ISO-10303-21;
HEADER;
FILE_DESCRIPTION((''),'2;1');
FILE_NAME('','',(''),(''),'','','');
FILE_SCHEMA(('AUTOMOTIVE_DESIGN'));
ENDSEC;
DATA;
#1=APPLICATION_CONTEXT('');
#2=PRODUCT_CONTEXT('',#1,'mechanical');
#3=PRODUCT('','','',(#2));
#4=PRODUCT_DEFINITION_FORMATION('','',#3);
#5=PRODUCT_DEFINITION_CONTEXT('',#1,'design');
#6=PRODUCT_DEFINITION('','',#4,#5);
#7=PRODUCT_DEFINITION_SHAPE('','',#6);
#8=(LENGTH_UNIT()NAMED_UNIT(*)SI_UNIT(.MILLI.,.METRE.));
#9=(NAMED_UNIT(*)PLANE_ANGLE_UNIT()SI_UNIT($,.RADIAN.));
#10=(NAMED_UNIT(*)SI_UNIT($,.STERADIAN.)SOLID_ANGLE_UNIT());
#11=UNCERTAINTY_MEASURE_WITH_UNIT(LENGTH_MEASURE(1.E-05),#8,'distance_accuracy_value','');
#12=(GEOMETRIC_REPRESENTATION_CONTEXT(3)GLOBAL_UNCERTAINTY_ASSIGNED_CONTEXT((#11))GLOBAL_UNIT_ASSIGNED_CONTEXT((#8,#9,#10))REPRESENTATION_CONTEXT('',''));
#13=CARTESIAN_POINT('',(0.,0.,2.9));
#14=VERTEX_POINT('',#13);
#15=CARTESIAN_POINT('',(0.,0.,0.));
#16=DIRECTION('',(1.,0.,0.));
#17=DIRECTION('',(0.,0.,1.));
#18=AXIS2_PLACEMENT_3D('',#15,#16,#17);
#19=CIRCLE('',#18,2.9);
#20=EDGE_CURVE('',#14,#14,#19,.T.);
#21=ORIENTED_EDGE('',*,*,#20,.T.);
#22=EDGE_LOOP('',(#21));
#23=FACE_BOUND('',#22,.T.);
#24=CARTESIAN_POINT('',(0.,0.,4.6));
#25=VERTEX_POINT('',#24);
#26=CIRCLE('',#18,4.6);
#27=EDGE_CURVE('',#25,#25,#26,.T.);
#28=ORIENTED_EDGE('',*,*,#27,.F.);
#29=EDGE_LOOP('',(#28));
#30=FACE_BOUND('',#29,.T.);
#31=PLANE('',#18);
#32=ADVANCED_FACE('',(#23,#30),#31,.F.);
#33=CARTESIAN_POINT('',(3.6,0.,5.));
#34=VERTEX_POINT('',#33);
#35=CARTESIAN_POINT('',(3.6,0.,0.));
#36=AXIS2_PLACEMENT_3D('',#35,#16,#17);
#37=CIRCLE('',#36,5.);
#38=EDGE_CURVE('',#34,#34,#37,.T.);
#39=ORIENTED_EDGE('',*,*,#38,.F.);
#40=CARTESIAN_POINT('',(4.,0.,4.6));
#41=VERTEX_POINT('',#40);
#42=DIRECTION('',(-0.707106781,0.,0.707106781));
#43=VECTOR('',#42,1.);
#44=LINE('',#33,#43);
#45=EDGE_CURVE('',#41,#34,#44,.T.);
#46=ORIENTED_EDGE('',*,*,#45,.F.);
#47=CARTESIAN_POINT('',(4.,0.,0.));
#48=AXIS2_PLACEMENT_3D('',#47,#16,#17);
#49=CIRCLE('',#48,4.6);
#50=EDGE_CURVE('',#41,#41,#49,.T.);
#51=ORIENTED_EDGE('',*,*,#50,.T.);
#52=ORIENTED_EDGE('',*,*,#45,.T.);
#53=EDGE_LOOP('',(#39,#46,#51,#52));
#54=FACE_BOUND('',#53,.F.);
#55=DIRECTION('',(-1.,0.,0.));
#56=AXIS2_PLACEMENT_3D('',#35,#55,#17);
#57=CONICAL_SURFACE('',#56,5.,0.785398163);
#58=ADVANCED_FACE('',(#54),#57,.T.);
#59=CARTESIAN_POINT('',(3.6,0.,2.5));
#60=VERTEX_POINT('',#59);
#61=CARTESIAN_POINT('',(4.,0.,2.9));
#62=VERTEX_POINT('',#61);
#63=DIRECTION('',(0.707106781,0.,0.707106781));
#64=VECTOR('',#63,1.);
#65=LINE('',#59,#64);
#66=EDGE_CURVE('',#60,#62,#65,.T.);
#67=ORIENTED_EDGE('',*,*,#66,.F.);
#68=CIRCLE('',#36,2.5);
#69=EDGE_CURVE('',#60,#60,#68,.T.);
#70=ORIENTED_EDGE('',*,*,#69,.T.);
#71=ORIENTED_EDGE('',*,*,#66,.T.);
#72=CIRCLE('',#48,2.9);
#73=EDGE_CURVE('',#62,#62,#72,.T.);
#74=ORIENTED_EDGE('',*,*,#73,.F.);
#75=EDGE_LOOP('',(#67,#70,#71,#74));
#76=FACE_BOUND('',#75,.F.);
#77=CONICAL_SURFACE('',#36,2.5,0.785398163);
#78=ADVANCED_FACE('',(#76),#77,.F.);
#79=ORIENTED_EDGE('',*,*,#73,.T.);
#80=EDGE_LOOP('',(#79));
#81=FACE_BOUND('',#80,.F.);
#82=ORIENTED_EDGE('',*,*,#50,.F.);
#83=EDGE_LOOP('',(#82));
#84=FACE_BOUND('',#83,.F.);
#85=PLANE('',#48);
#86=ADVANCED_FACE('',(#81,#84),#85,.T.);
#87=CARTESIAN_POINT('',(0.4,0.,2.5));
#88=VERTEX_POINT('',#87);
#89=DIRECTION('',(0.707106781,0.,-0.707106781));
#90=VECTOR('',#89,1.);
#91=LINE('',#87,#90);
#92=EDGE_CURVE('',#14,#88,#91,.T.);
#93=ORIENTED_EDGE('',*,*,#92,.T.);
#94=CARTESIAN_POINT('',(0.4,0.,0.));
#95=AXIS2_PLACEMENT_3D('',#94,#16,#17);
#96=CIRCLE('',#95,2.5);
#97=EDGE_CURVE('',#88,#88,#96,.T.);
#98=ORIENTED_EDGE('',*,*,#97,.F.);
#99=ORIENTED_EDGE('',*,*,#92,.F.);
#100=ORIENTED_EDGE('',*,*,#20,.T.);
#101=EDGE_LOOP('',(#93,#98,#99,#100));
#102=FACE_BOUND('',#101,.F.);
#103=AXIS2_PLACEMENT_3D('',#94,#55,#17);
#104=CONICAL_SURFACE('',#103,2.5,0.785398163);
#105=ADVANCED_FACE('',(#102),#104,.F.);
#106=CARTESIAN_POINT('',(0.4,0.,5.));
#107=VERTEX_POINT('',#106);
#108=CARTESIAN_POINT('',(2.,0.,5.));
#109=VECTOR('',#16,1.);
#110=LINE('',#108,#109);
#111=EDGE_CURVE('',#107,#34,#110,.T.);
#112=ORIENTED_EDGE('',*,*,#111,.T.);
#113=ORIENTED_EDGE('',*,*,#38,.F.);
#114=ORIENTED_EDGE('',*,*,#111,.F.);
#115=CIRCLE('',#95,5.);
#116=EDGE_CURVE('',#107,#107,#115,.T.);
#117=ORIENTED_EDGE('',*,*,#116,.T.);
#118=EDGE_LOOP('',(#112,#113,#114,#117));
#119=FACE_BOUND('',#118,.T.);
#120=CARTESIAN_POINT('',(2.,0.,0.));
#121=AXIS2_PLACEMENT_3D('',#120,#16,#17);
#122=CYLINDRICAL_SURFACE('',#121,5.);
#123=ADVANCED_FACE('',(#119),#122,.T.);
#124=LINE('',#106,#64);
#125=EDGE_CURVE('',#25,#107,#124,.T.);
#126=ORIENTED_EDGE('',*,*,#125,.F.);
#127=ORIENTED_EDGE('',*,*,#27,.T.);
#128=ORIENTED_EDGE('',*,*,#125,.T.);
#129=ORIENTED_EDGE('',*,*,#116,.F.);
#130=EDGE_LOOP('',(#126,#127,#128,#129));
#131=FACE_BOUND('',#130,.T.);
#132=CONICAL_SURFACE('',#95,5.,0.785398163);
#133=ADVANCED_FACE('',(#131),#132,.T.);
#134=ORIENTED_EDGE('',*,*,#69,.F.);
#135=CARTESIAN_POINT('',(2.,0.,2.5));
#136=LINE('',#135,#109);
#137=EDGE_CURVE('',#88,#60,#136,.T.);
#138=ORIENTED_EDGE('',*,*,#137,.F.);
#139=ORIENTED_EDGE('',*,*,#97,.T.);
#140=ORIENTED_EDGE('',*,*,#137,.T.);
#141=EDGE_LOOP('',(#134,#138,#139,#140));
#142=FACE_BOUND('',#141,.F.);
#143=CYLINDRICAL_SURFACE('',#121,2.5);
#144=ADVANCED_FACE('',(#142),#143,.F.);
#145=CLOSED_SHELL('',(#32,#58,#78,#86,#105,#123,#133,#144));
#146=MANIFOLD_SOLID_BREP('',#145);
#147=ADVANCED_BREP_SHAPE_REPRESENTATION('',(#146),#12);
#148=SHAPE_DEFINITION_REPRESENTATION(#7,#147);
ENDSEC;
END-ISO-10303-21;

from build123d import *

# Parameters (mm, degrees)
F0_W    = 4
F0_H    = 2.5
F2_SIZE = 0.4


with BuildPart() as f1:
    # F0 (on Front) → F1 (revolve)
    with BuildSketch(Plane.XZ):
        with Locations((2, 3.75)):
            Rectangle(F0_W, F0_H)
    revolve(axis=Axis((1.361359, 0, 0), (1, 0, 0)))

    # F2
    f2_edges = [f1.edges().sort_by_distance(p)[0] for p in [
        (0, 0, -2.5),
        (4, 0, -2.5),
        (2, 0, 2.5),
        (4, 0, -5),
        (0, 0, -5),
        (2, 0, 5),
    ]]
    chamfer(f2_edges, length=F2_SIZE)


solid = f1.part
